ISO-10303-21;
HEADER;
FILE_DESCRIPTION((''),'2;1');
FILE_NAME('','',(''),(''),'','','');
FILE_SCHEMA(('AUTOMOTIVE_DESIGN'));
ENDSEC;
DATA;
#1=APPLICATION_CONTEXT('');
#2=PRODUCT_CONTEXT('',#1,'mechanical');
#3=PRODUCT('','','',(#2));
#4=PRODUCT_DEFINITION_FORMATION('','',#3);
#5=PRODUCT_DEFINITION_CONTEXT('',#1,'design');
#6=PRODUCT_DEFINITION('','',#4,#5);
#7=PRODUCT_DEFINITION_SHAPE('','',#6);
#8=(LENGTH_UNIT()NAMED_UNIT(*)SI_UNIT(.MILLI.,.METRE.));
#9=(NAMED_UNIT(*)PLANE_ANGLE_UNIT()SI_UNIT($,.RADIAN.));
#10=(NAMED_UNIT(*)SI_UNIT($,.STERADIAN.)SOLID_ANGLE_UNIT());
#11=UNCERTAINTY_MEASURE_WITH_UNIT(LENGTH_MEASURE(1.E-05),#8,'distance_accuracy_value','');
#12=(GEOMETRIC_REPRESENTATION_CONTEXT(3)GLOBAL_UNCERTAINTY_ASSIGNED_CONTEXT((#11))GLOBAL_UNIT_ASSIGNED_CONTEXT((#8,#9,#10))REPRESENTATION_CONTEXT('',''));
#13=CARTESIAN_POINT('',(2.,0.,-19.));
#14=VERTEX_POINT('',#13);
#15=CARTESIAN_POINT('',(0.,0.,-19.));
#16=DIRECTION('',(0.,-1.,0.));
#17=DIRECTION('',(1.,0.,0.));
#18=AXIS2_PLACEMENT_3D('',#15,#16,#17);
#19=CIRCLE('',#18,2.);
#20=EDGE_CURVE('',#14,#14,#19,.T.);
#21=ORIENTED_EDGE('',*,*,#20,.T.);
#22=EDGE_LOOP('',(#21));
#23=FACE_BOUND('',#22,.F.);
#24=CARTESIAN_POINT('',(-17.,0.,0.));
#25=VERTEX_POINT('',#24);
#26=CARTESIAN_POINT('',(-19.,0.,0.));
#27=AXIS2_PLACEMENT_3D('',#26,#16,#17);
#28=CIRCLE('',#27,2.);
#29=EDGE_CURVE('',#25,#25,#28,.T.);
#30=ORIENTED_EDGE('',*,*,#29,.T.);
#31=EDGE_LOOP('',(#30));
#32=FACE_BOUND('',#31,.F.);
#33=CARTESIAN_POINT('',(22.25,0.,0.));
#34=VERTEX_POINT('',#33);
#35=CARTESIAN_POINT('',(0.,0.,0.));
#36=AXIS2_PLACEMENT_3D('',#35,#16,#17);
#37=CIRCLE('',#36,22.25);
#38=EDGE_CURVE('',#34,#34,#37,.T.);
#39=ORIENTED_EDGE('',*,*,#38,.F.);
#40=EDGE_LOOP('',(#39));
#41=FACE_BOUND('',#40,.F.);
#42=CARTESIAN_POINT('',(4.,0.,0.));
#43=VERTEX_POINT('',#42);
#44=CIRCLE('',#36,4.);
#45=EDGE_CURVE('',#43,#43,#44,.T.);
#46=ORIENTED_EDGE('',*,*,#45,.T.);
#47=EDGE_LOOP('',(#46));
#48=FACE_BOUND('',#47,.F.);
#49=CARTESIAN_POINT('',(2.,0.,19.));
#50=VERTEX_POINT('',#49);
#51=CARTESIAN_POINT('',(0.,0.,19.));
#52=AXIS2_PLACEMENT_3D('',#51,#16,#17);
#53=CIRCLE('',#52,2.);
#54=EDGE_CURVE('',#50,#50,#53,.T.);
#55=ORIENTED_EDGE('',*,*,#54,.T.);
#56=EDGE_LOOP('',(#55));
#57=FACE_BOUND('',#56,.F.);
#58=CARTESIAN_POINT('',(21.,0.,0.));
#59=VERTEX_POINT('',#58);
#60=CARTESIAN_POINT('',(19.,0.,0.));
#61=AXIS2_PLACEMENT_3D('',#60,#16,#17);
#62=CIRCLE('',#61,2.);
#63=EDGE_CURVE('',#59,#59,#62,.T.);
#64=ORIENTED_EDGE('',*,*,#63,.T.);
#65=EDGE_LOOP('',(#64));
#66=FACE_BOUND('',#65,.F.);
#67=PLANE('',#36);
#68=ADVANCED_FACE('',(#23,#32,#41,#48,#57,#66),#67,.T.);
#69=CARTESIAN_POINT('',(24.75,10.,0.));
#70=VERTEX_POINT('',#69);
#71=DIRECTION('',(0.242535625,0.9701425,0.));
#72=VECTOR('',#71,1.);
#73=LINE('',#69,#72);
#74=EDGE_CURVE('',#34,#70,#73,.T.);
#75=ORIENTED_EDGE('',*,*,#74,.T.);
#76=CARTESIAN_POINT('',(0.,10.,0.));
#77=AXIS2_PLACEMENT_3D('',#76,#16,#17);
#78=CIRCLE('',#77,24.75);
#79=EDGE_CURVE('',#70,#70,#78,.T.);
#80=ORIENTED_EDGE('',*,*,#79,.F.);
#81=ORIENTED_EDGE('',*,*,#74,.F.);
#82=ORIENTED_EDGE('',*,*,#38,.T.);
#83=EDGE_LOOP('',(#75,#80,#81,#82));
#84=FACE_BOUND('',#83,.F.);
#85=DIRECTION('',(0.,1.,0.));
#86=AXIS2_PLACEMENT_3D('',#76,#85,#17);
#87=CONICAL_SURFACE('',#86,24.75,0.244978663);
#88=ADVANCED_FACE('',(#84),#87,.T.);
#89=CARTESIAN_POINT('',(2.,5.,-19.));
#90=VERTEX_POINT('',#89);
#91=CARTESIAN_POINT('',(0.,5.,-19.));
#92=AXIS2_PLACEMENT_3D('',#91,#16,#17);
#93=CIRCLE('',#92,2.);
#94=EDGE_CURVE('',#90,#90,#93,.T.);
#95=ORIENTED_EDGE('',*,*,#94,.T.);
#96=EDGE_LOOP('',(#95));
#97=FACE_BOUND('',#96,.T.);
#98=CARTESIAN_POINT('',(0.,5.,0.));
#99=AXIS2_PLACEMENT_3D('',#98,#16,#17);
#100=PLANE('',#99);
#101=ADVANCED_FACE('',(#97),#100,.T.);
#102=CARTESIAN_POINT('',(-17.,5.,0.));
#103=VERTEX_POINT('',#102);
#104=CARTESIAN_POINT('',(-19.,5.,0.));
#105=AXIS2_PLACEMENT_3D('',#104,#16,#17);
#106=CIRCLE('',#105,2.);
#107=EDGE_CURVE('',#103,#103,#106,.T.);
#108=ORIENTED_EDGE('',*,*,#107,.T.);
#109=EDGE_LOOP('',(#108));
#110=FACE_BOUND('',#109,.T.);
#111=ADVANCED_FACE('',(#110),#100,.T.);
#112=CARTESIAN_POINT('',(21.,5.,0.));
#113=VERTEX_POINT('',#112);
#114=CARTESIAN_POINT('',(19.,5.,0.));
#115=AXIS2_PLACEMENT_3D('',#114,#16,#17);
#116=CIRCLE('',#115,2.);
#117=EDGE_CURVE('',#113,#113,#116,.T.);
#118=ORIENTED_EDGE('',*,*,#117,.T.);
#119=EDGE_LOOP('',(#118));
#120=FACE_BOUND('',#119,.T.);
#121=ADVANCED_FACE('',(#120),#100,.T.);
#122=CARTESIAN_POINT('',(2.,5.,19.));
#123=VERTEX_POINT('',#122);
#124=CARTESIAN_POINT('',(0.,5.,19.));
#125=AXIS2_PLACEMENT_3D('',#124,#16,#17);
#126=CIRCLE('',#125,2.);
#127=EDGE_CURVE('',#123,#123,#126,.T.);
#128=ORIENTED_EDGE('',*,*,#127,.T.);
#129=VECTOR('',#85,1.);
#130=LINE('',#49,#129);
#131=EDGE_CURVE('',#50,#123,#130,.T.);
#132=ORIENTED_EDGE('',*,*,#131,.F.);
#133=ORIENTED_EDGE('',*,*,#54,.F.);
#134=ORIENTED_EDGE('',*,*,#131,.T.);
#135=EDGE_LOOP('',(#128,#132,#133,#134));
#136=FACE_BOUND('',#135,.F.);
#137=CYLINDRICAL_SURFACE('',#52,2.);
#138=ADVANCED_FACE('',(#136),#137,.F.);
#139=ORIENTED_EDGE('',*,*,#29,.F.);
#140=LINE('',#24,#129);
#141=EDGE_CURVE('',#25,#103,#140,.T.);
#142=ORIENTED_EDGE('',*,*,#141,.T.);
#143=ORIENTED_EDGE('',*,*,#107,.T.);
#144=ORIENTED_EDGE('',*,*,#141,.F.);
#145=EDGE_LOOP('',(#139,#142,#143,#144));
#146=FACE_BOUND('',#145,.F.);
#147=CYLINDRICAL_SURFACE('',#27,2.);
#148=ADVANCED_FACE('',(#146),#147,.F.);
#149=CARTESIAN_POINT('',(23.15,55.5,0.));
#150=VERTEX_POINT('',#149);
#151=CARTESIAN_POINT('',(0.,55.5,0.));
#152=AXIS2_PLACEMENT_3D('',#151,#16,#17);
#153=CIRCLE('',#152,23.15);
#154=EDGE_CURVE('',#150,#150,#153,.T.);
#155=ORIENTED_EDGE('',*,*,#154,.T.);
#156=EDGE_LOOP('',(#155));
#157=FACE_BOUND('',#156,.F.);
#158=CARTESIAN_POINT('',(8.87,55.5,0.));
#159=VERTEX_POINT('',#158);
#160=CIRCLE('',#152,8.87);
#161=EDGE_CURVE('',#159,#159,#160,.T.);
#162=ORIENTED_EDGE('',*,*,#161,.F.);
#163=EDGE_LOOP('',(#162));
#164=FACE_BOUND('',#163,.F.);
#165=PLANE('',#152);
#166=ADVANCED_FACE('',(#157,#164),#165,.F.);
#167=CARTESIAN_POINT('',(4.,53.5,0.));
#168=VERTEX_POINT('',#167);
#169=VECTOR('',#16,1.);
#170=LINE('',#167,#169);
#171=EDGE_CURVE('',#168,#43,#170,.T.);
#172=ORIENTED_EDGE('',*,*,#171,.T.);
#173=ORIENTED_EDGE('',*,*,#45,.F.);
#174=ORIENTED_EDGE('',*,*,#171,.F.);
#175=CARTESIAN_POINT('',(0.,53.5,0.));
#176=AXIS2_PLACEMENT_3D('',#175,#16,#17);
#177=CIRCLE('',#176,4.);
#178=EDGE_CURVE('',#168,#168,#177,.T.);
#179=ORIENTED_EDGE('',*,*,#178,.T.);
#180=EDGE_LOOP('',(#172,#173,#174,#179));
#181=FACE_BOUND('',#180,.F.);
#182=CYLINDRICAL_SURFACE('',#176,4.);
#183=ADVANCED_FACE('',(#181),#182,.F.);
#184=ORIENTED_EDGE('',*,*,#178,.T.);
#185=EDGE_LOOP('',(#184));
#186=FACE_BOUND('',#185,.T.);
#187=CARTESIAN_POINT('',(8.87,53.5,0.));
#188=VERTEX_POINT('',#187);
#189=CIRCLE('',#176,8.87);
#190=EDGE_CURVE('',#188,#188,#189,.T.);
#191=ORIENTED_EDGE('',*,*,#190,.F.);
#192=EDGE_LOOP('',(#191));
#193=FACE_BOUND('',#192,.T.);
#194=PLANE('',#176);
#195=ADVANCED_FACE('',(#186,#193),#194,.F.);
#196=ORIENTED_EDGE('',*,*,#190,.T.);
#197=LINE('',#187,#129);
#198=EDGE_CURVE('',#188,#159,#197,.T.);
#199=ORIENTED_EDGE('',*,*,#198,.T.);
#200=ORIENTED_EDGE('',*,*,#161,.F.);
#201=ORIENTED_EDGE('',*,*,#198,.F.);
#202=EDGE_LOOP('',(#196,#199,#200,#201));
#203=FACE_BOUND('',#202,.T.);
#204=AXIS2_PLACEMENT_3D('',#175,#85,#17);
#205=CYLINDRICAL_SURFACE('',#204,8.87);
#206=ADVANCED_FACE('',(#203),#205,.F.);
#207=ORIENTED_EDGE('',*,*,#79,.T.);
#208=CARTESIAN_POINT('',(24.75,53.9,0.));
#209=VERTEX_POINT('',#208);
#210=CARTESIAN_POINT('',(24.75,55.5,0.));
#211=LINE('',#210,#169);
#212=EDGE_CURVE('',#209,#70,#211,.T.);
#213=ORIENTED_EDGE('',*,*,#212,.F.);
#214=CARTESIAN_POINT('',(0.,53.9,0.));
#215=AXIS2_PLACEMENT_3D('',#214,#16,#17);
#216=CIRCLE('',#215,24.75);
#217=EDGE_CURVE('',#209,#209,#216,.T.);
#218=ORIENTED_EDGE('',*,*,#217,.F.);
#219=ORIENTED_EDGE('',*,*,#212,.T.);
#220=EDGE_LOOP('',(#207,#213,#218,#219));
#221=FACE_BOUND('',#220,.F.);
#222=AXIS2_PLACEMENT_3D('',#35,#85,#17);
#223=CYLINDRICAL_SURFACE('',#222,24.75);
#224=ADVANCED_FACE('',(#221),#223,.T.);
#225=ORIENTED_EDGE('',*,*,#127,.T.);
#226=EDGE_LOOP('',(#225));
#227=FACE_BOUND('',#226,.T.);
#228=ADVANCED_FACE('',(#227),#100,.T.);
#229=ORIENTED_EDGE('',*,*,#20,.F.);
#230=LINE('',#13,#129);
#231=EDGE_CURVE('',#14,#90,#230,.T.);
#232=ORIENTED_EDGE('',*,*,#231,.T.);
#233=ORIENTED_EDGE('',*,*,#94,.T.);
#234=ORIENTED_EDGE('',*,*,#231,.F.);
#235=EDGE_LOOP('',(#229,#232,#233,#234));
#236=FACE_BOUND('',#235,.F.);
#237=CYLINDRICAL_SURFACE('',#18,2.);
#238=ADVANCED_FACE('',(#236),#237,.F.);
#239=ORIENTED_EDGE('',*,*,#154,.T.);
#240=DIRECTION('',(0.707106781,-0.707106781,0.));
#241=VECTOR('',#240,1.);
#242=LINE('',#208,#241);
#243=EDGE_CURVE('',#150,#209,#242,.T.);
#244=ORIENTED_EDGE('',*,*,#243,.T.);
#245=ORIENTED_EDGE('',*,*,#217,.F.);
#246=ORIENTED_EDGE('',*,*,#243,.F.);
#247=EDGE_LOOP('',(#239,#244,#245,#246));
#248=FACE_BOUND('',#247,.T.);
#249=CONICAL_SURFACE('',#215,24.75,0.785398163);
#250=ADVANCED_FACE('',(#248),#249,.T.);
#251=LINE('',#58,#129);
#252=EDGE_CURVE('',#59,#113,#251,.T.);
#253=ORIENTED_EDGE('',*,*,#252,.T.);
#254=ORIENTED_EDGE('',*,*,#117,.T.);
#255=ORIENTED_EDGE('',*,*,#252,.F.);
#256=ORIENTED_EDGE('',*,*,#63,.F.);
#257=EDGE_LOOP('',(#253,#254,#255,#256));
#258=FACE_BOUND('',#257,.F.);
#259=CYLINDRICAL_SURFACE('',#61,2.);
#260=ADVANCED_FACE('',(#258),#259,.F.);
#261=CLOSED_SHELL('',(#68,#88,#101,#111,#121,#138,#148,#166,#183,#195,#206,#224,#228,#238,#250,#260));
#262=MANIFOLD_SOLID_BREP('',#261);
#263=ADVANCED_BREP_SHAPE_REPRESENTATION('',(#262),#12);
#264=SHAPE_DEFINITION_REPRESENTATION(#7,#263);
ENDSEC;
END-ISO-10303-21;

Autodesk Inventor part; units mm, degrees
ref_plane "YZ Plane" through (0, 0, 0) normal (1, 0, 0) x (0, 1, 0)
ref_plane "XZ Plane" through (0, 0, 0) normal (0, 1, 0) x (-1, 0, 0)
ref_plane "XY Plane" through (0, 0, 0) normal (0, 0, 1) x (1, 0, 0)
sketch "Sketch1" plane through (0, 0, 0) normal (0, 0, 1) x (1, 0, 0)
  line L0 (4, 53.5) -> (4, 0)
  line L1 (4, 0) -> (24.75, 0)
  line L2 (24.75, 0) -> (24.75, 55.5)
  line L3 (24.75, 55.5) -> (0, 55.5)
  line L4 (24.75, 13) -> (24.75, 12)
  line L5 (24.75, 12) -> (15.6045, 12)
  line L6 (15.6045, 12) -> (15.6045, 13)
  line L7 (15.6045, 13) -> (24.75, 13)
  line L8 (24.75, 13) -> (24.75, 12)
  line L9 (4, 53.5) -> (8.87, 53.5)
  line L10 (8.87, 53.5) -> (8.87, 55.5)
  line L11 (0, 55.5) -> (0, 0)
  point P0 (8.87, 54.5)
  dimension "d2" = 55.5
  dimension "d32" = 1
  dimension "d33" = 12
  dimension "d36" = 2
  dimension "d37" = 49.5
  dimension "d38" = 8
  dimension "d39" = 17.74
revolve "Revolution1" add sketch "Sketch1" angle 360 about axis through (0, 55.5, 0) along (0, -1, 0)
sketch "Sketch2" plane through (0, 0, 0) normal (0, -1, 0) x (1, 0, 0)
  circle A0 centre (19, 0) radius 2
  circle A1 centre (0, 0) radius 4 construction
  line L0 (0, 0) -> (19, 0) construction
  circle A2 centre (0, 19) radius 2
  circle A3 centre (-19, 0) radius 2
  circle A4 centre (0, -19) radius 2
  point P0 (0, 0)
  dimension "d5" = 4
  dimension "d6" = 19
  dimension "d9" = 360
extrude "Extrusion1" cut sketch "Sketch2" against normal blind 5
chamfer "Chamfer1" distance 1.6 angle 45 1 edges at (-24.75, 55.5, 0)
chamfer "Chamfer2" distance 2.5 distance2 10 1 edges at (-24.75, 0, 0) measured on face at (13.1279, 0, -6.9036)
properties part number "5065"
